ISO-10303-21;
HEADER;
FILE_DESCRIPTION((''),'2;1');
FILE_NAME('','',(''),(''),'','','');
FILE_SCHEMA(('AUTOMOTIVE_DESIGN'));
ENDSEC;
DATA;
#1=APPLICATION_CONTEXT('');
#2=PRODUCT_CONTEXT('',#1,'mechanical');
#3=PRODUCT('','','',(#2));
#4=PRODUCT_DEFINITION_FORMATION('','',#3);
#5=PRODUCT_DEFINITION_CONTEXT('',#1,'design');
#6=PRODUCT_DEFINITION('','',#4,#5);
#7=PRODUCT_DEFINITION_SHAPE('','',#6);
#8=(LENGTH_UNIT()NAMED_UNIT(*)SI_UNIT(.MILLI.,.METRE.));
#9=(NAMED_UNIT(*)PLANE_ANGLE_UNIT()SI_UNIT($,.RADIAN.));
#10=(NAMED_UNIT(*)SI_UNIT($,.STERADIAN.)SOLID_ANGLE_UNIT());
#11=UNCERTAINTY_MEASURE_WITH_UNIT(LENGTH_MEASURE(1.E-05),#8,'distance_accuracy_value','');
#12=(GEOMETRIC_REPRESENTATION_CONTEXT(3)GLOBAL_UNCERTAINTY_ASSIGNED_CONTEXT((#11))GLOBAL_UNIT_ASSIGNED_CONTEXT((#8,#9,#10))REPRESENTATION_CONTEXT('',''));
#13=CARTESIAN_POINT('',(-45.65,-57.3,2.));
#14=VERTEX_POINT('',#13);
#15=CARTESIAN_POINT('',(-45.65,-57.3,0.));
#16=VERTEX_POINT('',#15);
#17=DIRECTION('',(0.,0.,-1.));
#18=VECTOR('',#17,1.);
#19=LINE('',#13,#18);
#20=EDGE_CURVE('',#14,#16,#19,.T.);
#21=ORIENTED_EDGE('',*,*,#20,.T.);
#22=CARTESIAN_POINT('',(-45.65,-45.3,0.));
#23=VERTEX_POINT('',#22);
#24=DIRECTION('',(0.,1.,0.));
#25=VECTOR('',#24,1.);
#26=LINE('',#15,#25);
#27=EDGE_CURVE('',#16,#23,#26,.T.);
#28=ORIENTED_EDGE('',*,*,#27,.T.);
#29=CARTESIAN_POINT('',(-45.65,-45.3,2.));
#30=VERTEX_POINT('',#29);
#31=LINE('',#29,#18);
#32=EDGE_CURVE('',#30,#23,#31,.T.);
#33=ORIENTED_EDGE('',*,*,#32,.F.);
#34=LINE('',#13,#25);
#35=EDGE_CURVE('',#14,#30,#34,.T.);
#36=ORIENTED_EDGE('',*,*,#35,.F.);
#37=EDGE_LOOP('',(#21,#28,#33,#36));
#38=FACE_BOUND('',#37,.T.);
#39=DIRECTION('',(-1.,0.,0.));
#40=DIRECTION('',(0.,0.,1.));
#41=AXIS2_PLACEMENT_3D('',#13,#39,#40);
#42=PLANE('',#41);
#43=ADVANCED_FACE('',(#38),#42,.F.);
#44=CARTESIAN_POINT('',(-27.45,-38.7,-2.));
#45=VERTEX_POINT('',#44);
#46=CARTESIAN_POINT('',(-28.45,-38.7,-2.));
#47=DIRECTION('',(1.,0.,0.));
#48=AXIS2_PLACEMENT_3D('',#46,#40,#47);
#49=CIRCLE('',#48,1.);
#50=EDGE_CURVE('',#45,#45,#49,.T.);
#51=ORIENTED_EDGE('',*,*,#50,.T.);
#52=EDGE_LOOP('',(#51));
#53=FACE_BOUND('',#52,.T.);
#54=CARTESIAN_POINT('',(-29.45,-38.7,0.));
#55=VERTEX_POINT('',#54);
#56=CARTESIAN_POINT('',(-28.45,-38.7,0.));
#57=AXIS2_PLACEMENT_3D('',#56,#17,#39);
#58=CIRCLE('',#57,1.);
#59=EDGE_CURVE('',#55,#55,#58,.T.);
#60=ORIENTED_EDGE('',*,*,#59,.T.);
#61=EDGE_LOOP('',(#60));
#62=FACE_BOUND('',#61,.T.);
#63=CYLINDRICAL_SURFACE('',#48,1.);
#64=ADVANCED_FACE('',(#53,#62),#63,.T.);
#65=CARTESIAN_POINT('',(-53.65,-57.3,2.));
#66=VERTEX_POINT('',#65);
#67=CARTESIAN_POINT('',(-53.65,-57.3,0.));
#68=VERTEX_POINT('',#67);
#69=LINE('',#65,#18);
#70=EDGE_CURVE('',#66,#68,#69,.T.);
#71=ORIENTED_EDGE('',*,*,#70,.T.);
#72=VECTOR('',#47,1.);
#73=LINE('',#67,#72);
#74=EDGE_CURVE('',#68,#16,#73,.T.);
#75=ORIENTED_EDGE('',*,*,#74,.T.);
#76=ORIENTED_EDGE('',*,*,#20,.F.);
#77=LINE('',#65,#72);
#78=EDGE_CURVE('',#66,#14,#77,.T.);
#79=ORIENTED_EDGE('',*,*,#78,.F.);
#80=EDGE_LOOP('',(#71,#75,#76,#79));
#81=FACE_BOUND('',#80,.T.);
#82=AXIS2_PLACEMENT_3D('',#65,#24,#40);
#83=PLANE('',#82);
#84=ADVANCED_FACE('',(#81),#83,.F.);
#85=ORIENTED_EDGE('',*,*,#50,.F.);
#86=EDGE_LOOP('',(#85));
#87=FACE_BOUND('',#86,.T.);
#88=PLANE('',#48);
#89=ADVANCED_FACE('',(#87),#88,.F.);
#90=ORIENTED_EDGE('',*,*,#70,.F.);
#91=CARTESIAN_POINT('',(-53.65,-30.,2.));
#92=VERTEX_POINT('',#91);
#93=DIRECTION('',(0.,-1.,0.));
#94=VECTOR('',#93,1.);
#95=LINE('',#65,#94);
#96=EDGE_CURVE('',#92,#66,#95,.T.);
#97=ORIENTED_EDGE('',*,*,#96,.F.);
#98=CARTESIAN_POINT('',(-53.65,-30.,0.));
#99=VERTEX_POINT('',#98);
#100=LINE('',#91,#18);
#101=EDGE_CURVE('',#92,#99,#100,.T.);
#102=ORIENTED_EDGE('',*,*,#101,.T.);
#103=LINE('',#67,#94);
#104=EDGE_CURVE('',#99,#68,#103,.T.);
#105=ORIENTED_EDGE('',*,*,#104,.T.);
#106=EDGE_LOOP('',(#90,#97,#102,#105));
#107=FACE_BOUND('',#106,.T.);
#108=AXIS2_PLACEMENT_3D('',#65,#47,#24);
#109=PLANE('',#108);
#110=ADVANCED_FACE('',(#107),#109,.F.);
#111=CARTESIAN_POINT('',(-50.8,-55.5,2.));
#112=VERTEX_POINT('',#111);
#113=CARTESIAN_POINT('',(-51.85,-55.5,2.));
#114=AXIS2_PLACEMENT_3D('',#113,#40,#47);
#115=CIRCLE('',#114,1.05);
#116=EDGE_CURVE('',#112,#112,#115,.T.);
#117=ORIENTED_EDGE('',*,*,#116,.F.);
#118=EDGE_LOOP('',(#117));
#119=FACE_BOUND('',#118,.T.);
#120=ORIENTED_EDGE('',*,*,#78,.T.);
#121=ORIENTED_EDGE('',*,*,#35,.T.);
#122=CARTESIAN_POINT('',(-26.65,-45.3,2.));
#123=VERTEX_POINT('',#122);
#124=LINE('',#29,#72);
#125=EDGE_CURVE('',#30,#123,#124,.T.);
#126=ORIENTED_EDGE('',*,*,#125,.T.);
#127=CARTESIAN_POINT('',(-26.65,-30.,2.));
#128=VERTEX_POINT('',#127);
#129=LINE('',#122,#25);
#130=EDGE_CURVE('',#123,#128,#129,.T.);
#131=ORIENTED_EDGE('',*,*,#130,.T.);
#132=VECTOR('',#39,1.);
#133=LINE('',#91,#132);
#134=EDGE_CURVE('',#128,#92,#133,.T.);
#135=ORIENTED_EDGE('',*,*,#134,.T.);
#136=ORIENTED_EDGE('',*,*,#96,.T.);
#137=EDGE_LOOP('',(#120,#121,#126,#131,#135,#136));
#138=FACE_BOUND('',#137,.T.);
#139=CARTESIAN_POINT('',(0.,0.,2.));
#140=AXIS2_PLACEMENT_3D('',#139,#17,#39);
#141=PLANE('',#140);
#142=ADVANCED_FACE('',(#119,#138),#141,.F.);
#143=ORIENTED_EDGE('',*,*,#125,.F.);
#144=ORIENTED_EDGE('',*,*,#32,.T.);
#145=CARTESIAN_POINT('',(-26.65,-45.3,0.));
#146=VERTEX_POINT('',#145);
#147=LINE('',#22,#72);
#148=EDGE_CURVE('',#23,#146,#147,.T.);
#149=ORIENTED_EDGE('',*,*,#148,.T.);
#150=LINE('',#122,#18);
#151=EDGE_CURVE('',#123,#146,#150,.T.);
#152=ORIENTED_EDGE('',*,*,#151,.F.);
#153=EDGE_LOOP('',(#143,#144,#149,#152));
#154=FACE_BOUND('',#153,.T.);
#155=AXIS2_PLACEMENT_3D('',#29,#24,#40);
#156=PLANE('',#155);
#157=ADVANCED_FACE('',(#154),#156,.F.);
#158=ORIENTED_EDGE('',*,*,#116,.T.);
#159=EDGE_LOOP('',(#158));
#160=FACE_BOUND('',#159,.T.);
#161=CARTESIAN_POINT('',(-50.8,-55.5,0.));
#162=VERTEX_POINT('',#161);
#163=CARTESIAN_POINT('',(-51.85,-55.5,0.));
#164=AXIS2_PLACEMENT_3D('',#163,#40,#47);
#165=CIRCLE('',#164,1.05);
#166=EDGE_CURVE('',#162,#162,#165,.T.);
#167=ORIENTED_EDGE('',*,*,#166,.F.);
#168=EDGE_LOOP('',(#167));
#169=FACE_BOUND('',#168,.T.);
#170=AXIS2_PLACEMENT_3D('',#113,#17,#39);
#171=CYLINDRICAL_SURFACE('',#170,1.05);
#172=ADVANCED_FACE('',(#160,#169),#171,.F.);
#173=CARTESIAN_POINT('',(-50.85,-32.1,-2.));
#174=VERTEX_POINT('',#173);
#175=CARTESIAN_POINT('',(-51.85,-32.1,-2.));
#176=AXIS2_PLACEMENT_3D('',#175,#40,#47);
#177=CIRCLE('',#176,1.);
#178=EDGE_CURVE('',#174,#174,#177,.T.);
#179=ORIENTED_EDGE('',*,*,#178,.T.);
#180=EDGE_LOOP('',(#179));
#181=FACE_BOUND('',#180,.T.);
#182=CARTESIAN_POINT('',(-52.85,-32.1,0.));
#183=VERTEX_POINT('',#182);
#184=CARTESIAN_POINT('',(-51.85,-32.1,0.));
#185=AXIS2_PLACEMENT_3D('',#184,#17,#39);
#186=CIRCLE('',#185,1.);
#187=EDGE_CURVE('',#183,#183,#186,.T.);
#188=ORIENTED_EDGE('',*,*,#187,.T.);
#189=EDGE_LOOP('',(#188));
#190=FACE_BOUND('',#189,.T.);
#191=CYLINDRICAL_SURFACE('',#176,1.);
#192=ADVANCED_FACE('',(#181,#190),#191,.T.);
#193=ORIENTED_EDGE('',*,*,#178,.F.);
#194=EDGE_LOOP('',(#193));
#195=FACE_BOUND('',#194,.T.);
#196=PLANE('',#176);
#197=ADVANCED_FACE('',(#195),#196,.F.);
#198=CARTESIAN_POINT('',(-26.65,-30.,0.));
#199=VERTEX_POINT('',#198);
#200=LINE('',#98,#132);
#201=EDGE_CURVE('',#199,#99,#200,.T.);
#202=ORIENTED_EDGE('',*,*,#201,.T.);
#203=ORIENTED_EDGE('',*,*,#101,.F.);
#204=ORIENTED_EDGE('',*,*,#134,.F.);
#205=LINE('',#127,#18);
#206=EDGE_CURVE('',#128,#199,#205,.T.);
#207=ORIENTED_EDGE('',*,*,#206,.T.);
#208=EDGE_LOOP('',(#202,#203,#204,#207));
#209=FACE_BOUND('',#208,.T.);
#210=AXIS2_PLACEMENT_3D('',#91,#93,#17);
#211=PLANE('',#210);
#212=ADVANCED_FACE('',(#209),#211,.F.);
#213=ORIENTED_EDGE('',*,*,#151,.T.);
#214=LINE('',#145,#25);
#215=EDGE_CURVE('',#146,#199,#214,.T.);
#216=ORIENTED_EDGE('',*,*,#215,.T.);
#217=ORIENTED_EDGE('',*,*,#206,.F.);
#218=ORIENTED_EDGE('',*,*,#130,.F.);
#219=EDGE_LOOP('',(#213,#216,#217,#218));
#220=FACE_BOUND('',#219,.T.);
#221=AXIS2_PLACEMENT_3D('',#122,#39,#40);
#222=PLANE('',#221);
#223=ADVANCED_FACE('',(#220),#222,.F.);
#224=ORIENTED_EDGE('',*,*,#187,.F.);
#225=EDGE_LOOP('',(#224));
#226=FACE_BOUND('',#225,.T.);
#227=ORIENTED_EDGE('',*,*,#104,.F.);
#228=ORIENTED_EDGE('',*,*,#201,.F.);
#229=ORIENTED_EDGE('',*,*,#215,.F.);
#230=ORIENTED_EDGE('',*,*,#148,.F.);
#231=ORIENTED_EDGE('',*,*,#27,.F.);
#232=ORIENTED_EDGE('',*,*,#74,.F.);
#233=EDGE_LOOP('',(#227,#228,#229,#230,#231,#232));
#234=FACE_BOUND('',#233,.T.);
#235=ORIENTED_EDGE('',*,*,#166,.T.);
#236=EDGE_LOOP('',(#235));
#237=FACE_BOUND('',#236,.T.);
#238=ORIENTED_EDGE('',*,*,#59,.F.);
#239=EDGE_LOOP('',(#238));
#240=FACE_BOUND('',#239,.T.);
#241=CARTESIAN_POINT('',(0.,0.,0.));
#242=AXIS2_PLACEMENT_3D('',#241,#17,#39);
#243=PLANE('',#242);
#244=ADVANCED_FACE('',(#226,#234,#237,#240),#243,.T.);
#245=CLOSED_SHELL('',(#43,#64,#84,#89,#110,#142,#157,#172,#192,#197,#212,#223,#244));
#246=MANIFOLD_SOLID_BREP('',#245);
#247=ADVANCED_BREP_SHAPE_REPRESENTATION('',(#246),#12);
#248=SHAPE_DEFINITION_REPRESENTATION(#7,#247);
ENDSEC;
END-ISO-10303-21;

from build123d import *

# Parameters (mm, degrees)
SKETCH1_R           = 1.05
BOSS_EXTRUDE1_DEPTH = 2
SKETCH2_R           = 1
BOSS_EXTRUDE2_DEPTH = 4


with BuildPart() as part:
    # Sketch1 → Boss-Extrude1 (new body)
    with BuildSketch(Plane.XY):
        Polygon((-53.65, -57.3), (-45.65, -57.3), (-45.65, -45.3), (-26.65, -45.3), (-26.65, -30), (-53.65, -30), align=None)
        with Locations((-51.85, -55.5)):
            Circle(SKETCH1_R, mode=Mode.SUBTRACT)
    extrude(amount=BOSS_EXTRUDE1_DEPTH)

    # Sketch2 → Boss-Extrude2 (add)
    with BuildSketch(Plane.XY.offset(2)):
        with Locations((-28.45, -38.7)):
            Circle(SKETCH2_R)
        with Locations((-51.85, -32.1)):
            Circle(SKETCH2_R)
    extrude(amount=-BOSS_EXTRUDE2_DEPTH)


solid = part.part
